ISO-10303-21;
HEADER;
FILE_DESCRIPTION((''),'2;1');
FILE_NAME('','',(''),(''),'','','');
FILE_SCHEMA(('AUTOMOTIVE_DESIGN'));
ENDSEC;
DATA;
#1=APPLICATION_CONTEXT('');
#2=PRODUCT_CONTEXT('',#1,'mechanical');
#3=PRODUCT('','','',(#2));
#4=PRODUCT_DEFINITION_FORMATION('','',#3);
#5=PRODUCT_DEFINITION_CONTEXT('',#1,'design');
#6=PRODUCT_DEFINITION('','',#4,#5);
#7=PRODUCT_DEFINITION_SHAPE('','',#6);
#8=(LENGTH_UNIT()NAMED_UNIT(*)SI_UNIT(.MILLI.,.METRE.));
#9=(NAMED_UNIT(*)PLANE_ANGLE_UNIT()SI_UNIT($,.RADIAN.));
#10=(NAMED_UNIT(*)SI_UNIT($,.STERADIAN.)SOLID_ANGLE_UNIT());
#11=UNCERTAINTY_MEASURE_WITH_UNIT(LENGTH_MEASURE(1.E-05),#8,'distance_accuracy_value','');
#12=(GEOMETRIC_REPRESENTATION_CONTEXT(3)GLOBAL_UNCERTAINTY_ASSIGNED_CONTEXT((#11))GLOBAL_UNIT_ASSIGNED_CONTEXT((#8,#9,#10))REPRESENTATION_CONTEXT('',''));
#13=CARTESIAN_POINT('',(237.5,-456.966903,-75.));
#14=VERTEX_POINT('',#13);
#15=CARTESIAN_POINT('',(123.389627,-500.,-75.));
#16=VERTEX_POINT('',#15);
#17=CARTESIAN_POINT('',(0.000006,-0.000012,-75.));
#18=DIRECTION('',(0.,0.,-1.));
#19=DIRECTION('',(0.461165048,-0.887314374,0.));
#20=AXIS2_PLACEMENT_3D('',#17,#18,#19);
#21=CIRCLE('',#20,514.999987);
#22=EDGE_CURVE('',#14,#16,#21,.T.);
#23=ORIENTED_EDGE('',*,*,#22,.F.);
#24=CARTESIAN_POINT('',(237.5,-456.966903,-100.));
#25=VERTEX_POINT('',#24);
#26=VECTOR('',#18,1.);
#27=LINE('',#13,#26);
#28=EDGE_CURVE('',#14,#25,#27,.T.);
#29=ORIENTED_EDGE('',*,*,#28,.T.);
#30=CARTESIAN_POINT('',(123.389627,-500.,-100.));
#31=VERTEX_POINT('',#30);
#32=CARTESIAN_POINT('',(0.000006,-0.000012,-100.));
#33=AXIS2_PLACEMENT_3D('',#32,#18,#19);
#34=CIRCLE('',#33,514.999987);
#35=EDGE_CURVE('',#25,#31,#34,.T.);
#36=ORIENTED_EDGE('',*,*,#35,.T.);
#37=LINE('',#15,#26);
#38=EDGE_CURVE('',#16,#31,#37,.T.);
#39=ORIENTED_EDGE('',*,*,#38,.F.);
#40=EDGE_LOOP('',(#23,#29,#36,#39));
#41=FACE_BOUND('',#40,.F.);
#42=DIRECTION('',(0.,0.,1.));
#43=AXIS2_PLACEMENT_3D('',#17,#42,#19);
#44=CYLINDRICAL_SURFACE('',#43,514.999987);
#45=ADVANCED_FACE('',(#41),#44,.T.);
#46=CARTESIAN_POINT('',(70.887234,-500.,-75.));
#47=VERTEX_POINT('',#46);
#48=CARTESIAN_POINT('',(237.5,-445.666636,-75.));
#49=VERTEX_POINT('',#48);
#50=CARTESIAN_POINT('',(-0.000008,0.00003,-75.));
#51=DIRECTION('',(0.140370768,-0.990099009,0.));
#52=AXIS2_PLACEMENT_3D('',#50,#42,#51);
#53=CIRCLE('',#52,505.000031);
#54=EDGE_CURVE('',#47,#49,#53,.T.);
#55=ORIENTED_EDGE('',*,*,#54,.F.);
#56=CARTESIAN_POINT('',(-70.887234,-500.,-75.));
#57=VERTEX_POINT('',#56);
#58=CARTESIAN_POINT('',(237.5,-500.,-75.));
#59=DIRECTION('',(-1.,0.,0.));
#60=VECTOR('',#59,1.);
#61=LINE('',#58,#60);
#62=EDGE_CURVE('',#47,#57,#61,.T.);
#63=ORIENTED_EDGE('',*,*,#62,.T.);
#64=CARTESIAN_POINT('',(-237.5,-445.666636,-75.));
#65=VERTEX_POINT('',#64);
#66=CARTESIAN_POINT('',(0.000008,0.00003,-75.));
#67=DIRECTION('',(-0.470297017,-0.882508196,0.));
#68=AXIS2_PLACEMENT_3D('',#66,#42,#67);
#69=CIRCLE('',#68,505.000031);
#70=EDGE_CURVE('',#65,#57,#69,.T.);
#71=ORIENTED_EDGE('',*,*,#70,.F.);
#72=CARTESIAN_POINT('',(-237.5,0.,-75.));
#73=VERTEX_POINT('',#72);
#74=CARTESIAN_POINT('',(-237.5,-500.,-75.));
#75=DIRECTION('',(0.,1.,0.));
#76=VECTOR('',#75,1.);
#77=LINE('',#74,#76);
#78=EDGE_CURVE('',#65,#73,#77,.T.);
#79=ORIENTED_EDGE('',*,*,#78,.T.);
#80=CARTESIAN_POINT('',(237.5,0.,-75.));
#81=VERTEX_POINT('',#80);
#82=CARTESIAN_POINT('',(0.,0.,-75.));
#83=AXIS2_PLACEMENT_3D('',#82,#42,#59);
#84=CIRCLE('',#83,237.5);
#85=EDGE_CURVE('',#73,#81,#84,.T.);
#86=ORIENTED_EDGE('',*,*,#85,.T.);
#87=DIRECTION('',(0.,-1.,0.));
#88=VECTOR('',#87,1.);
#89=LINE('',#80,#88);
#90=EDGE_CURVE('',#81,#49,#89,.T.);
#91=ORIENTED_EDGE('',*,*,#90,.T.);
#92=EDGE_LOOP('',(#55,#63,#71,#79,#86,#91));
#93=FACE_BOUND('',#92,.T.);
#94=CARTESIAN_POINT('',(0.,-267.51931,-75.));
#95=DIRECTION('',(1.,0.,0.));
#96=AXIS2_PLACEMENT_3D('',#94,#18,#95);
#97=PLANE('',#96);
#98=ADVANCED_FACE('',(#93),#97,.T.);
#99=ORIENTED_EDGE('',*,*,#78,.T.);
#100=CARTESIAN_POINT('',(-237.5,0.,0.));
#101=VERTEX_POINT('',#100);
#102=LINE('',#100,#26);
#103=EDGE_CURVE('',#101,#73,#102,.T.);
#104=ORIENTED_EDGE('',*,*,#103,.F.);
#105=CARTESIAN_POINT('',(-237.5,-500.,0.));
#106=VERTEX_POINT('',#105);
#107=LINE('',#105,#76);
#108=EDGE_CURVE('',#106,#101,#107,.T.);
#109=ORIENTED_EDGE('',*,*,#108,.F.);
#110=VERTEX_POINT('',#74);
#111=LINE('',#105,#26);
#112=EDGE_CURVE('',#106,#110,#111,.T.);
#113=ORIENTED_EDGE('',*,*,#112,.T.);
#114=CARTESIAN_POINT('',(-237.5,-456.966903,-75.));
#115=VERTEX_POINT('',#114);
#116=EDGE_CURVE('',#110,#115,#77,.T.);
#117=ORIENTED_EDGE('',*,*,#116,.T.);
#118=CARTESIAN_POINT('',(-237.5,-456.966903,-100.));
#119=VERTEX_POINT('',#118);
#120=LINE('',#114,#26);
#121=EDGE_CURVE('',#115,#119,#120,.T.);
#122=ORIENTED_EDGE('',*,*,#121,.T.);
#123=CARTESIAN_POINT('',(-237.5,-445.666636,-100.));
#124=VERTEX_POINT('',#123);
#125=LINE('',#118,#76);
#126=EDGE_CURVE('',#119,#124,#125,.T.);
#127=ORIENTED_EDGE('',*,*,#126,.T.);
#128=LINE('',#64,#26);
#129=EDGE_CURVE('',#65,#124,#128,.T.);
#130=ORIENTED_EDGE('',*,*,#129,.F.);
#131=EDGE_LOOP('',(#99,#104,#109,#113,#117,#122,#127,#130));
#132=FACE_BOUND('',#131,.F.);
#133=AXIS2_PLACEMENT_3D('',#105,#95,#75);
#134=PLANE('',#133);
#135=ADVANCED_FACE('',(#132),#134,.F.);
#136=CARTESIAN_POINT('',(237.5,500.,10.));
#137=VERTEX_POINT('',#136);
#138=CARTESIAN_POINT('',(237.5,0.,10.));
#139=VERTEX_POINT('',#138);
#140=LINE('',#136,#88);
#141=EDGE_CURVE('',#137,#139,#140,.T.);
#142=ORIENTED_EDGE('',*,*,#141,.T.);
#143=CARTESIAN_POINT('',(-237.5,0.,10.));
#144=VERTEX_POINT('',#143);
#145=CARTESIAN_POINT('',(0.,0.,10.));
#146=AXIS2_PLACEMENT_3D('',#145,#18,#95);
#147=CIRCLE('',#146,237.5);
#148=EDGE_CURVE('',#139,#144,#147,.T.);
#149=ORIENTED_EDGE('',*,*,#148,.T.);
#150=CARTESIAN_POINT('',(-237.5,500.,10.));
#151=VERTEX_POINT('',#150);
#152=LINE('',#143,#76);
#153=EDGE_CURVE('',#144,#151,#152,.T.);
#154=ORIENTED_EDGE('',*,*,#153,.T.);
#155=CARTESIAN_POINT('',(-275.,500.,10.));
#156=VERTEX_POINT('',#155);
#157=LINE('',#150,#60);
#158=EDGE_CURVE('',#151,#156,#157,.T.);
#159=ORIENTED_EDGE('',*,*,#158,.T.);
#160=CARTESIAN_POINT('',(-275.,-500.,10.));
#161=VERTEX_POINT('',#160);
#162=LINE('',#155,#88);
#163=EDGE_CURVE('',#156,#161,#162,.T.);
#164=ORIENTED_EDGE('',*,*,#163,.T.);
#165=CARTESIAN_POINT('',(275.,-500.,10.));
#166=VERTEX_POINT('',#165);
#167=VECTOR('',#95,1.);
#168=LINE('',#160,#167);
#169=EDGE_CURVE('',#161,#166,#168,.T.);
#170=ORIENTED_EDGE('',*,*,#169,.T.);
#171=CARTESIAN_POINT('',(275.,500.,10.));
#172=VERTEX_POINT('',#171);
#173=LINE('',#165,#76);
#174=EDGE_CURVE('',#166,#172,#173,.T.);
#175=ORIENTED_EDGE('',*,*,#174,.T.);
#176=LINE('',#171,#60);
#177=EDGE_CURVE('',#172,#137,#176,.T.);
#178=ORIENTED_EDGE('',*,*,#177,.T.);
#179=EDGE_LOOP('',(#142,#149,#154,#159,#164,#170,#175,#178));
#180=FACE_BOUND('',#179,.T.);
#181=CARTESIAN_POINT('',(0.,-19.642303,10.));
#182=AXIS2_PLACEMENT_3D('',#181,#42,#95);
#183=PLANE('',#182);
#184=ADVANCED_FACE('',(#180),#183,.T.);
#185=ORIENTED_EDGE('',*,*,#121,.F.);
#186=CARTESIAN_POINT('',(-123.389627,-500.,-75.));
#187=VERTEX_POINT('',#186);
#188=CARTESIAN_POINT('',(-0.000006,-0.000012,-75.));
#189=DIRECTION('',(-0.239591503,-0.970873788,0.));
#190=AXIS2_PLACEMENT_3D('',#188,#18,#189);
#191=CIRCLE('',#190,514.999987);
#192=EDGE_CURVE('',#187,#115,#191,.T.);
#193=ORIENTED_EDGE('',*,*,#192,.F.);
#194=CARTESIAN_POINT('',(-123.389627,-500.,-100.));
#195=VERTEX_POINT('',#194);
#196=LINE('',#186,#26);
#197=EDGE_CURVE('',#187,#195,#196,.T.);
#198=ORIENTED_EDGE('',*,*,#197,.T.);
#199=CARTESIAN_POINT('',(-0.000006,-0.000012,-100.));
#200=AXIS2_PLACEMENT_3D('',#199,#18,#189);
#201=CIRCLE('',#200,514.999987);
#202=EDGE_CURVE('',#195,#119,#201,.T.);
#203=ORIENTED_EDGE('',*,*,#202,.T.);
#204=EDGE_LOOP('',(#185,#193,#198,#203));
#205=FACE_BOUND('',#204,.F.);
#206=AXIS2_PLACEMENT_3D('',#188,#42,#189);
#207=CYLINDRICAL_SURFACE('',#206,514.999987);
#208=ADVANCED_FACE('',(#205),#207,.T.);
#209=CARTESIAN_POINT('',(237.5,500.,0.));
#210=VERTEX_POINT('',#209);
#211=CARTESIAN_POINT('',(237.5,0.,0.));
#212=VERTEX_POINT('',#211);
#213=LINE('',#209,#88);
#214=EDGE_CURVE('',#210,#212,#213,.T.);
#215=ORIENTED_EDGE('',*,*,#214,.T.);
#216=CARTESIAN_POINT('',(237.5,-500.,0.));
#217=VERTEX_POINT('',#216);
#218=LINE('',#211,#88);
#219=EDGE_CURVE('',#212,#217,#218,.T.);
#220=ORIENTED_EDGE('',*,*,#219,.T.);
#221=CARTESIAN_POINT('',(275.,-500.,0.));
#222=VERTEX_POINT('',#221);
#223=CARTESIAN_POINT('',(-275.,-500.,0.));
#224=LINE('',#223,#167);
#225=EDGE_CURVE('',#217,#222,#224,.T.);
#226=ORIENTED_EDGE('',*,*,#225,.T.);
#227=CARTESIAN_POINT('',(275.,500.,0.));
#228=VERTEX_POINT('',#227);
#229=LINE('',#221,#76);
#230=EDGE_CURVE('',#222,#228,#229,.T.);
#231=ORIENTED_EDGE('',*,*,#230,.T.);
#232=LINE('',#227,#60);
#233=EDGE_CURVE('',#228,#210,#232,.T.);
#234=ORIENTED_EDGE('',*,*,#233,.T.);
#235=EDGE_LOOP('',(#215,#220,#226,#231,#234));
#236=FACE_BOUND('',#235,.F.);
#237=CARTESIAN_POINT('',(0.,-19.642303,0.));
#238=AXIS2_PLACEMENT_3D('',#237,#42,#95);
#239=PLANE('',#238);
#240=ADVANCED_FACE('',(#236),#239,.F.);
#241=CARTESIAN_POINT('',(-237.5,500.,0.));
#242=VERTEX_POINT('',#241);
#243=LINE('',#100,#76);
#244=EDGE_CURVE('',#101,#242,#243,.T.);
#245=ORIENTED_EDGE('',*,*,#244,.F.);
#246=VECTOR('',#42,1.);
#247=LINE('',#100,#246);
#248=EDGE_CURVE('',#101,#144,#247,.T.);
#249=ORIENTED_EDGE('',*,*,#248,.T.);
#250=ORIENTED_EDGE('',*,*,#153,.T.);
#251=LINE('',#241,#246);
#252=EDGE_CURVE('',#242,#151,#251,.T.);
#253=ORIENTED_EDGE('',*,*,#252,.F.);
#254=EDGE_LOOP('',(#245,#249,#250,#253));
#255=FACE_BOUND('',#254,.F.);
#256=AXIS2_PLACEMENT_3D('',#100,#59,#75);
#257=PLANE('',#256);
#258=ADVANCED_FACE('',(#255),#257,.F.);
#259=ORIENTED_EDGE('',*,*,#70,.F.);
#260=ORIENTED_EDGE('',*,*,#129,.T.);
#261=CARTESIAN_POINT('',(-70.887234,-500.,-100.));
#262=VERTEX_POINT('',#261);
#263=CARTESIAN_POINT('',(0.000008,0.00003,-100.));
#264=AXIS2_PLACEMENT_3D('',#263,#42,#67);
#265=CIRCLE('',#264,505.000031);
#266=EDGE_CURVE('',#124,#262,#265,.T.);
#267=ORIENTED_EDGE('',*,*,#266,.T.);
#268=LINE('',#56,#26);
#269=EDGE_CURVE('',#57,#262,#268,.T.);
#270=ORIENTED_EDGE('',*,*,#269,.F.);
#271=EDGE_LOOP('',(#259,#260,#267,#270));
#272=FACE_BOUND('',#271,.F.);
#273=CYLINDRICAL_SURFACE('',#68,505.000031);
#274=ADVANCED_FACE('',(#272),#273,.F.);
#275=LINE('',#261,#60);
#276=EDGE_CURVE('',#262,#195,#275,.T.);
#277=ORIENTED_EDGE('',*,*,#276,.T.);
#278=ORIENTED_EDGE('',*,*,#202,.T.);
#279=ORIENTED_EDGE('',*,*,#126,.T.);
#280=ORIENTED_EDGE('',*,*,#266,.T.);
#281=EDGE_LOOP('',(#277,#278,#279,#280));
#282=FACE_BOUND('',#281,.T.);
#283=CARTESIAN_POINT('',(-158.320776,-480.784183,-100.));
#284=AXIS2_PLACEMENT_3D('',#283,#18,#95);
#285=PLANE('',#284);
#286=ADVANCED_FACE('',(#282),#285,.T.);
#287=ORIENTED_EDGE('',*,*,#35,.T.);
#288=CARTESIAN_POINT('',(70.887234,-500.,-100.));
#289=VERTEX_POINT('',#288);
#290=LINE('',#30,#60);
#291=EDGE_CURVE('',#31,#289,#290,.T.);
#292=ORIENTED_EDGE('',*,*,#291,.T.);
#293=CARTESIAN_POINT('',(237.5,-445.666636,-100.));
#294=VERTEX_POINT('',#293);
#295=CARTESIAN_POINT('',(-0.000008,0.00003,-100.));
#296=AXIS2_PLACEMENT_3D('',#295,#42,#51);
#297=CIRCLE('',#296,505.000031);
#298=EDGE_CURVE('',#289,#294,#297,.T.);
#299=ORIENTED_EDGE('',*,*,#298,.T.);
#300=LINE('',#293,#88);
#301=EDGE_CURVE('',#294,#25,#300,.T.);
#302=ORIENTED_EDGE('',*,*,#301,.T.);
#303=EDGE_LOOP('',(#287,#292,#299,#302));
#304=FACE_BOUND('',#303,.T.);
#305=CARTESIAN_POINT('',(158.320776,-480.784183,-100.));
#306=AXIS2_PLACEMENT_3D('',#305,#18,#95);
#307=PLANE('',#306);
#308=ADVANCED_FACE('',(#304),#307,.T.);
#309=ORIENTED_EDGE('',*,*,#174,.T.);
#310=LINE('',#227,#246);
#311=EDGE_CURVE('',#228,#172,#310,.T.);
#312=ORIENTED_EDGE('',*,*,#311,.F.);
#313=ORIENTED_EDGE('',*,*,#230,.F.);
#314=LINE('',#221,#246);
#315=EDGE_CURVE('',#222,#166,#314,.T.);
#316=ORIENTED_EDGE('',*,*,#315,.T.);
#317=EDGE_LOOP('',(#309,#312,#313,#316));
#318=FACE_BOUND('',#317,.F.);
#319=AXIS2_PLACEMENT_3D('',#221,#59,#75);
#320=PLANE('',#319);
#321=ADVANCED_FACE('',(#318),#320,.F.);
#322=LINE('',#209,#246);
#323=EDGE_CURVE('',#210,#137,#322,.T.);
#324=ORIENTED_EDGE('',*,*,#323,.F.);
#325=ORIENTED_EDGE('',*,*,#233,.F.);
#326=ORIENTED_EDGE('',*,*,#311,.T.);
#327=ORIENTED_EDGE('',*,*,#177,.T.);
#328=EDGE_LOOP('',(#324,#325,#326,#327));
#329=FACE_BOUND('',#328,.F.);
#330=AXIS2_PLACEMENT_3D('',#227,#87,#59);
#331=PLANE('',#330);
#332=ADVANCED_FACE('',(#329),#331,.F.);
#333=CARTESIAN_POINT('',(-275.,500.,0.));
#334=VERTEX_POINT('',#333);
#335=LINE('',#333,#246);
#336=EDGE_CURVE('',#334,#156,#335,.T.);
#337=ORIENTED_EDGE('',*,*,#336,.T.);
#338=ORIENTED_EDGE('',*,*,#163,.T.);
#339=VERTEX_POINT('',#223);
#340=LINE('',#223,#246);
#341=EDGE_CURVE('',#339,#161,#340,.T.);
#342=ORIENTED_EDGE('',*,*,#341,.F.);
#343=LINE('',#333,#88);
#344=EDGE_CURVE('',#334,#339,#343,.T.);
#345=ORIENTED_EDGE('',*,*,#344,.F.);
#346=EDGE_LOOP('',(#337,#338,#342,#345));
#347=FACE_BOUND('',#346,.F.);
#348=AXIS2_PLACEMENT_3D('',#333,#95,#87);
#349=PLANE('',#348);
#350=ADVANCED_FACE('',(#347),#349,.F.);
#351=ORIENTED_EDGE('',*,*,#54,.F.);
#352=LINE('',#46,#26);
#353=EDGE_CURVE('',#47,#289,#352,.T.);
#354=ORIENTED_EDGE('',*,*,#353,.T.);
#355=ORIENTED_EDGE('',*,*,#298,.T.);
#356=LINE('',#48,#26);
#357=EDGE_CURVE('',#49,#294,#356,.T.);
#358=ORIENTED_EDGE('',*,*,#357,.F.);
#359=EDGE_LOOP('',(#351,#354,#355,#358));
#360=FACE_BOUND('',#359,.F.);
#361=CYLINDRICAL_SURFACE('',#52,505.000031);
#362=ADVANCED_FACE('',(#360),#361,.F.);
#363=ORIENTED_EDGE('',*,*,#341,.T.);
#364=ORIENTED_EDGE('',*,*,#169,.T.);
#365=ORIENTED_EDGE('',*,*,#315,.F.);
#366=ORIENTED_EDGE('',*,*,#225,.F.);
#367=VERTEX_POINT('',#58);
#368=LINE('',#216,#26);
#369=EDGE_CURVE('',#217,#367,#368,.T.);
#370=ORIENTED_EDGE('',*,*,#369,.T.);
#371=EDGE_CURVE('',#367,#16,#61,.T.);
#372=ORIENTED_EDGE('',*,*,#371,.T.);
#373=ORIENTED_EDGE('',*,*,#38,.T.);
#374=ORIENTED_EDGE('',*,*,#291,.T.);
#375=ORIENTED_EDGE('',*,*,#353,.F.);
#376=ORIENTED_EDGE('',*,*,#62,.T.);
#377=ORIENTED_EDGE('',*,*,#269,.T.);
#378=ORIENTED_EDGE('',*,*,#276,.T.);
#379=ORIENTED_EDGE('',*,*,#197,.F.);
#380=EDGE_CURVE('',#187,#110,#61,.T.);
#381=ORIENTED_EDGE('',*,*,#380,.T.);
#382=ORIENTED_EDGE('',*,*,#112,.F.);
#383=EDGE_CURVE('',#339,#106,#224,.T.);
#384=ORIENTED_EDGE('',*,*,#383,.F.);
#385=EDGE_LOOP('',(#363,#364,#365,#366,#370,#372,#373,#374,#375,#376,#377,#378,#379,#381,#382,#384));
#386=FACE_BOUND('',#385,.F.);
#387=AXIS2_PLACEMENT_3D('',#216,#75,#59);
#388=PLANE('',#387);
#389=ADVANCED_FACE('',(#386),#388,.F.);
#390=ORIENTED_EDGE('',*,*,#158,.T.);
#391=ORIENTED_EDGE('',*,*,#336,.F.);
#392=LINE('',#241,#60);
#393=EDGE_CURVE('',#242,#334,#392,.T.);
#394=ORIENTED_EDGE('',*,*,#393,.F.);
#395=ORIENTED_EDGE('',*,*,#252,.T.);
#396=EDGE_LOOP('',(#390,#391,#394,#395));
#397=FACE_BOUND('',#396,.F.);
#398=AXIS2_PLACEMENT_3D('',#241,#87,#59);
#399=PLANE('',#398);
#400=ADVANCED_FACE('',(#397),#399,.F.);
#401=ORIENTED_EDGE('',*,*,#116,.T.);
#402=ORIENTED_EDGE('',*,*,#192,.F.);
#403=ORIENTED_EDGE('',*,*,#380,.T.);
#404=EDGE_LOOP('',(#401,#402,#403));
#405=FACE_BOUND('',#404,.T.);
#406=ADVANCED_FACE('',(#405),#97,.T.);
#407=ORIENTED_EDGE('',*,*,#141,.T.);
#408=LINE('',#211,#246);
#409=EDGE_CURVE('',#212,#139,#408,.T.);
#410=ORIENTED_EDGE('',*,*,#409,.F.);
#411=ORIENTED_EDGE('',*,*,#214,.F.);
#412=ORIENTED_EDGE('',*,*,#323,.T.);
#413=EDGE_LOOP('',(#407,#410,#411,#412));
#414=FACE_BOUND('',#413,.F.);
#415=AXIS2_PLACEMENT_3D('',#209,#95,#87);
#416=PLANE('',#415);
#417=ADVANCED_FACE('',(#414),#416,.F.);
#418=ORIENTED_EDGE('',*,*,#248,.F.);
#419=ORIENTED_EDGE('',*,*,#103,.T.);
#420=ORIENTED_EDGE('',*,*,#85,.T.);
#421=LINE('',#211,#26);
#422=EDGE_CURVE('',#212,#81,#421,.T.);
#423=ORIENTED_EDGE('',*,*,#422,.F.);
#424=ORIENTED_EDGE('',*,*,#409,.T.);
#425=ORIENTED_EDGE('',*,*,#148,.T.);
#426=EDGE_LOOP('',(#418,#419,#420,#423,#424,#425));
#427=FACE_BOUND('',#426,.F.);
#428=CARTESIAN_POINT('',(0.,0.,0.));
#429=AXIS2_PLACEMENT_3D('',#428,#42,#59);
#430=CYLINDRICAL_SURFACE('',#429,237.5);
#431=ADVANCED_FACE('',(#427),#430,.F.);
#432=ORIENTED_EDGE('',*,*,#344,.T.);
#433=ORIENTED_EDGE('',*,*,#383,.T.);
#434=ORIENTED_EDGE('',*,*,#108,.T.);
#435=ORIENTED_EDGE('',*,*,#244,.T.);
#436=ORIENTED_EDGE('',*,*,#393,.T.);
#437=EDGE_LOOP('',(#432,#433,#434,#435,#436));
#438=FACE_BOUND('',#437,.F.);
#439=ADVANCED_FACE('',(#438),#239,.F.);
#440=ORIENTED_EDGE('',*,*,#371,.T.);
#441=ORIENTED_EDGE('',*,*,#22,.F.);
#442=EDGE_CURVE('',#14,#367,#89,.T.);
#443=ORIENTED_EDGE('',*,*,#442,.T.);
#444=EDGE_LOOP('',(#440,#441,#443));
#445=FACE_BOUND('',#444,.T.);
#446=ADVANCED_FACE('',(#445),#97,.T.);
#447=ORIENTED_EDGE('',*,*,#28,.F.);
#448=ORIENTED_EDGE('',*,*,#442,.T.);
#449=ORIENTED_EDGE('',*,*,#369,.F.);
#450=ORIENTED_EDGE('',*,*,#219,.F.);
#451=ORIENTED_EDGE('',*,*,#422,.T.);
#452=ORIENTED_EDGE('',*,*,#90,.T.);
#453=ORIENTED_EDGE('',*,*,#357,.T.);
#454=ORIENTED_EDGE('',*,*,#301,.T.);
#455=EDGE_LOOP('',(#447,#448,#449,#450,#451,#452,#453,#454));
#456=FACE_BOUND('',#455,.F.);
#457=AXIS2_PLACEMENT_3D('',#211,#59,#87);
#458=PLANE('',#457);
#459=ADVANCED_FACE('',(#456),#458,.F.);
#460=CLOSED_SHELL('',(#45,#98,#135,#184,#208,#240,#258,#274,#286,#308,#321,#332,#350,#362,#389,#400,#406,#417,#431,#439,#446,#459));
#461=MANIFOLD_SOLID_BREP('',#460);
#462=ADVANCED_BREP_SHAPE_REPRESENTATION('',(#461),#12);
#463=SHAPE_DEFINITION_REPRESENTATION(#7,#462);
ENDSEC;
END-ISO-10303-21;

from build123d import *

# Parameters (mm, degrees)
F1_DEPTH = 10
F3_DEPTH = 75
F5_DEPTH = 25


with BuildPart() as f1:
    # F0 (on Top) → F1 (new body)
    with BuildSketch(Plane.XY):
        with BuildLine():
            ThreePointArc((237.5, 0), (0, -237.5), (-237.5, 0))
            Line((-237.5, 0), (-237.5, 500))
            Line((-237.5, 500), (-275, 500))
            Line((-275, 500), (-275, -500))
            Line((-275, -500), (275, -500))
            Line((275, -500), (275, 500))
            Line((275, 500), (237.5, 500))
            Line((237.5, 500), (237.5, 0))
        make_face()
    extrude(amount=F1_DEPTH)

    # F2 (on face) → F3 (join)
    with BuildSketch(Plane(origin=(0, 0, 0), x_dir=(1, 0, 0), z_dir=(0, 0, -1))):
        with BuildLine():
            Line((-237.5, 500), (-237.5, 0))
            ThreePointArc((-237.5, 0), (0, 237.5), (237.5, 0))
            Line((237.5, 0), (237.5, 500))
            Line((237.5, 500), (-237.5, 500))
        make_face()
    extrude(amount=F3_DEPTH)

    # F4 (on face) → F5 (join)
    with BuildSketch(Plane(origin=(0, 0, -75), x_dir=(1, 0, 0), z_dir=(0, 0, -1))):
        with BuildLine():
            ThreePointArc((70.887234, 500), (156.568516, 480.115923), (237.5, 445.666636))
            Line((237.5, 445.666636), (237.5, 456.966903))
            ThreePointArc((237.5, 456.966903), (181.723121, 481.873124), (123.389627, 500))
            Line((123.389627, 500), (70.887234, 500))
        make_face()
        with BuildLine():
            ThreePointArc((-123.389627, 500), (-181.723121, 481.873124), (-237.5, 456.966903))
            Line((-237.5, 456.966903), (-237.5, 445.666636))
            ThreePointArc((-237.5, 445.666636), (-156.568516, 480.115923), (-70.887234, 500))
            Line((-70.887234, 500), (-123.389627, 500))
        make_face()
    extrude(amount=F5_DEPTH)


solid = f1.part
